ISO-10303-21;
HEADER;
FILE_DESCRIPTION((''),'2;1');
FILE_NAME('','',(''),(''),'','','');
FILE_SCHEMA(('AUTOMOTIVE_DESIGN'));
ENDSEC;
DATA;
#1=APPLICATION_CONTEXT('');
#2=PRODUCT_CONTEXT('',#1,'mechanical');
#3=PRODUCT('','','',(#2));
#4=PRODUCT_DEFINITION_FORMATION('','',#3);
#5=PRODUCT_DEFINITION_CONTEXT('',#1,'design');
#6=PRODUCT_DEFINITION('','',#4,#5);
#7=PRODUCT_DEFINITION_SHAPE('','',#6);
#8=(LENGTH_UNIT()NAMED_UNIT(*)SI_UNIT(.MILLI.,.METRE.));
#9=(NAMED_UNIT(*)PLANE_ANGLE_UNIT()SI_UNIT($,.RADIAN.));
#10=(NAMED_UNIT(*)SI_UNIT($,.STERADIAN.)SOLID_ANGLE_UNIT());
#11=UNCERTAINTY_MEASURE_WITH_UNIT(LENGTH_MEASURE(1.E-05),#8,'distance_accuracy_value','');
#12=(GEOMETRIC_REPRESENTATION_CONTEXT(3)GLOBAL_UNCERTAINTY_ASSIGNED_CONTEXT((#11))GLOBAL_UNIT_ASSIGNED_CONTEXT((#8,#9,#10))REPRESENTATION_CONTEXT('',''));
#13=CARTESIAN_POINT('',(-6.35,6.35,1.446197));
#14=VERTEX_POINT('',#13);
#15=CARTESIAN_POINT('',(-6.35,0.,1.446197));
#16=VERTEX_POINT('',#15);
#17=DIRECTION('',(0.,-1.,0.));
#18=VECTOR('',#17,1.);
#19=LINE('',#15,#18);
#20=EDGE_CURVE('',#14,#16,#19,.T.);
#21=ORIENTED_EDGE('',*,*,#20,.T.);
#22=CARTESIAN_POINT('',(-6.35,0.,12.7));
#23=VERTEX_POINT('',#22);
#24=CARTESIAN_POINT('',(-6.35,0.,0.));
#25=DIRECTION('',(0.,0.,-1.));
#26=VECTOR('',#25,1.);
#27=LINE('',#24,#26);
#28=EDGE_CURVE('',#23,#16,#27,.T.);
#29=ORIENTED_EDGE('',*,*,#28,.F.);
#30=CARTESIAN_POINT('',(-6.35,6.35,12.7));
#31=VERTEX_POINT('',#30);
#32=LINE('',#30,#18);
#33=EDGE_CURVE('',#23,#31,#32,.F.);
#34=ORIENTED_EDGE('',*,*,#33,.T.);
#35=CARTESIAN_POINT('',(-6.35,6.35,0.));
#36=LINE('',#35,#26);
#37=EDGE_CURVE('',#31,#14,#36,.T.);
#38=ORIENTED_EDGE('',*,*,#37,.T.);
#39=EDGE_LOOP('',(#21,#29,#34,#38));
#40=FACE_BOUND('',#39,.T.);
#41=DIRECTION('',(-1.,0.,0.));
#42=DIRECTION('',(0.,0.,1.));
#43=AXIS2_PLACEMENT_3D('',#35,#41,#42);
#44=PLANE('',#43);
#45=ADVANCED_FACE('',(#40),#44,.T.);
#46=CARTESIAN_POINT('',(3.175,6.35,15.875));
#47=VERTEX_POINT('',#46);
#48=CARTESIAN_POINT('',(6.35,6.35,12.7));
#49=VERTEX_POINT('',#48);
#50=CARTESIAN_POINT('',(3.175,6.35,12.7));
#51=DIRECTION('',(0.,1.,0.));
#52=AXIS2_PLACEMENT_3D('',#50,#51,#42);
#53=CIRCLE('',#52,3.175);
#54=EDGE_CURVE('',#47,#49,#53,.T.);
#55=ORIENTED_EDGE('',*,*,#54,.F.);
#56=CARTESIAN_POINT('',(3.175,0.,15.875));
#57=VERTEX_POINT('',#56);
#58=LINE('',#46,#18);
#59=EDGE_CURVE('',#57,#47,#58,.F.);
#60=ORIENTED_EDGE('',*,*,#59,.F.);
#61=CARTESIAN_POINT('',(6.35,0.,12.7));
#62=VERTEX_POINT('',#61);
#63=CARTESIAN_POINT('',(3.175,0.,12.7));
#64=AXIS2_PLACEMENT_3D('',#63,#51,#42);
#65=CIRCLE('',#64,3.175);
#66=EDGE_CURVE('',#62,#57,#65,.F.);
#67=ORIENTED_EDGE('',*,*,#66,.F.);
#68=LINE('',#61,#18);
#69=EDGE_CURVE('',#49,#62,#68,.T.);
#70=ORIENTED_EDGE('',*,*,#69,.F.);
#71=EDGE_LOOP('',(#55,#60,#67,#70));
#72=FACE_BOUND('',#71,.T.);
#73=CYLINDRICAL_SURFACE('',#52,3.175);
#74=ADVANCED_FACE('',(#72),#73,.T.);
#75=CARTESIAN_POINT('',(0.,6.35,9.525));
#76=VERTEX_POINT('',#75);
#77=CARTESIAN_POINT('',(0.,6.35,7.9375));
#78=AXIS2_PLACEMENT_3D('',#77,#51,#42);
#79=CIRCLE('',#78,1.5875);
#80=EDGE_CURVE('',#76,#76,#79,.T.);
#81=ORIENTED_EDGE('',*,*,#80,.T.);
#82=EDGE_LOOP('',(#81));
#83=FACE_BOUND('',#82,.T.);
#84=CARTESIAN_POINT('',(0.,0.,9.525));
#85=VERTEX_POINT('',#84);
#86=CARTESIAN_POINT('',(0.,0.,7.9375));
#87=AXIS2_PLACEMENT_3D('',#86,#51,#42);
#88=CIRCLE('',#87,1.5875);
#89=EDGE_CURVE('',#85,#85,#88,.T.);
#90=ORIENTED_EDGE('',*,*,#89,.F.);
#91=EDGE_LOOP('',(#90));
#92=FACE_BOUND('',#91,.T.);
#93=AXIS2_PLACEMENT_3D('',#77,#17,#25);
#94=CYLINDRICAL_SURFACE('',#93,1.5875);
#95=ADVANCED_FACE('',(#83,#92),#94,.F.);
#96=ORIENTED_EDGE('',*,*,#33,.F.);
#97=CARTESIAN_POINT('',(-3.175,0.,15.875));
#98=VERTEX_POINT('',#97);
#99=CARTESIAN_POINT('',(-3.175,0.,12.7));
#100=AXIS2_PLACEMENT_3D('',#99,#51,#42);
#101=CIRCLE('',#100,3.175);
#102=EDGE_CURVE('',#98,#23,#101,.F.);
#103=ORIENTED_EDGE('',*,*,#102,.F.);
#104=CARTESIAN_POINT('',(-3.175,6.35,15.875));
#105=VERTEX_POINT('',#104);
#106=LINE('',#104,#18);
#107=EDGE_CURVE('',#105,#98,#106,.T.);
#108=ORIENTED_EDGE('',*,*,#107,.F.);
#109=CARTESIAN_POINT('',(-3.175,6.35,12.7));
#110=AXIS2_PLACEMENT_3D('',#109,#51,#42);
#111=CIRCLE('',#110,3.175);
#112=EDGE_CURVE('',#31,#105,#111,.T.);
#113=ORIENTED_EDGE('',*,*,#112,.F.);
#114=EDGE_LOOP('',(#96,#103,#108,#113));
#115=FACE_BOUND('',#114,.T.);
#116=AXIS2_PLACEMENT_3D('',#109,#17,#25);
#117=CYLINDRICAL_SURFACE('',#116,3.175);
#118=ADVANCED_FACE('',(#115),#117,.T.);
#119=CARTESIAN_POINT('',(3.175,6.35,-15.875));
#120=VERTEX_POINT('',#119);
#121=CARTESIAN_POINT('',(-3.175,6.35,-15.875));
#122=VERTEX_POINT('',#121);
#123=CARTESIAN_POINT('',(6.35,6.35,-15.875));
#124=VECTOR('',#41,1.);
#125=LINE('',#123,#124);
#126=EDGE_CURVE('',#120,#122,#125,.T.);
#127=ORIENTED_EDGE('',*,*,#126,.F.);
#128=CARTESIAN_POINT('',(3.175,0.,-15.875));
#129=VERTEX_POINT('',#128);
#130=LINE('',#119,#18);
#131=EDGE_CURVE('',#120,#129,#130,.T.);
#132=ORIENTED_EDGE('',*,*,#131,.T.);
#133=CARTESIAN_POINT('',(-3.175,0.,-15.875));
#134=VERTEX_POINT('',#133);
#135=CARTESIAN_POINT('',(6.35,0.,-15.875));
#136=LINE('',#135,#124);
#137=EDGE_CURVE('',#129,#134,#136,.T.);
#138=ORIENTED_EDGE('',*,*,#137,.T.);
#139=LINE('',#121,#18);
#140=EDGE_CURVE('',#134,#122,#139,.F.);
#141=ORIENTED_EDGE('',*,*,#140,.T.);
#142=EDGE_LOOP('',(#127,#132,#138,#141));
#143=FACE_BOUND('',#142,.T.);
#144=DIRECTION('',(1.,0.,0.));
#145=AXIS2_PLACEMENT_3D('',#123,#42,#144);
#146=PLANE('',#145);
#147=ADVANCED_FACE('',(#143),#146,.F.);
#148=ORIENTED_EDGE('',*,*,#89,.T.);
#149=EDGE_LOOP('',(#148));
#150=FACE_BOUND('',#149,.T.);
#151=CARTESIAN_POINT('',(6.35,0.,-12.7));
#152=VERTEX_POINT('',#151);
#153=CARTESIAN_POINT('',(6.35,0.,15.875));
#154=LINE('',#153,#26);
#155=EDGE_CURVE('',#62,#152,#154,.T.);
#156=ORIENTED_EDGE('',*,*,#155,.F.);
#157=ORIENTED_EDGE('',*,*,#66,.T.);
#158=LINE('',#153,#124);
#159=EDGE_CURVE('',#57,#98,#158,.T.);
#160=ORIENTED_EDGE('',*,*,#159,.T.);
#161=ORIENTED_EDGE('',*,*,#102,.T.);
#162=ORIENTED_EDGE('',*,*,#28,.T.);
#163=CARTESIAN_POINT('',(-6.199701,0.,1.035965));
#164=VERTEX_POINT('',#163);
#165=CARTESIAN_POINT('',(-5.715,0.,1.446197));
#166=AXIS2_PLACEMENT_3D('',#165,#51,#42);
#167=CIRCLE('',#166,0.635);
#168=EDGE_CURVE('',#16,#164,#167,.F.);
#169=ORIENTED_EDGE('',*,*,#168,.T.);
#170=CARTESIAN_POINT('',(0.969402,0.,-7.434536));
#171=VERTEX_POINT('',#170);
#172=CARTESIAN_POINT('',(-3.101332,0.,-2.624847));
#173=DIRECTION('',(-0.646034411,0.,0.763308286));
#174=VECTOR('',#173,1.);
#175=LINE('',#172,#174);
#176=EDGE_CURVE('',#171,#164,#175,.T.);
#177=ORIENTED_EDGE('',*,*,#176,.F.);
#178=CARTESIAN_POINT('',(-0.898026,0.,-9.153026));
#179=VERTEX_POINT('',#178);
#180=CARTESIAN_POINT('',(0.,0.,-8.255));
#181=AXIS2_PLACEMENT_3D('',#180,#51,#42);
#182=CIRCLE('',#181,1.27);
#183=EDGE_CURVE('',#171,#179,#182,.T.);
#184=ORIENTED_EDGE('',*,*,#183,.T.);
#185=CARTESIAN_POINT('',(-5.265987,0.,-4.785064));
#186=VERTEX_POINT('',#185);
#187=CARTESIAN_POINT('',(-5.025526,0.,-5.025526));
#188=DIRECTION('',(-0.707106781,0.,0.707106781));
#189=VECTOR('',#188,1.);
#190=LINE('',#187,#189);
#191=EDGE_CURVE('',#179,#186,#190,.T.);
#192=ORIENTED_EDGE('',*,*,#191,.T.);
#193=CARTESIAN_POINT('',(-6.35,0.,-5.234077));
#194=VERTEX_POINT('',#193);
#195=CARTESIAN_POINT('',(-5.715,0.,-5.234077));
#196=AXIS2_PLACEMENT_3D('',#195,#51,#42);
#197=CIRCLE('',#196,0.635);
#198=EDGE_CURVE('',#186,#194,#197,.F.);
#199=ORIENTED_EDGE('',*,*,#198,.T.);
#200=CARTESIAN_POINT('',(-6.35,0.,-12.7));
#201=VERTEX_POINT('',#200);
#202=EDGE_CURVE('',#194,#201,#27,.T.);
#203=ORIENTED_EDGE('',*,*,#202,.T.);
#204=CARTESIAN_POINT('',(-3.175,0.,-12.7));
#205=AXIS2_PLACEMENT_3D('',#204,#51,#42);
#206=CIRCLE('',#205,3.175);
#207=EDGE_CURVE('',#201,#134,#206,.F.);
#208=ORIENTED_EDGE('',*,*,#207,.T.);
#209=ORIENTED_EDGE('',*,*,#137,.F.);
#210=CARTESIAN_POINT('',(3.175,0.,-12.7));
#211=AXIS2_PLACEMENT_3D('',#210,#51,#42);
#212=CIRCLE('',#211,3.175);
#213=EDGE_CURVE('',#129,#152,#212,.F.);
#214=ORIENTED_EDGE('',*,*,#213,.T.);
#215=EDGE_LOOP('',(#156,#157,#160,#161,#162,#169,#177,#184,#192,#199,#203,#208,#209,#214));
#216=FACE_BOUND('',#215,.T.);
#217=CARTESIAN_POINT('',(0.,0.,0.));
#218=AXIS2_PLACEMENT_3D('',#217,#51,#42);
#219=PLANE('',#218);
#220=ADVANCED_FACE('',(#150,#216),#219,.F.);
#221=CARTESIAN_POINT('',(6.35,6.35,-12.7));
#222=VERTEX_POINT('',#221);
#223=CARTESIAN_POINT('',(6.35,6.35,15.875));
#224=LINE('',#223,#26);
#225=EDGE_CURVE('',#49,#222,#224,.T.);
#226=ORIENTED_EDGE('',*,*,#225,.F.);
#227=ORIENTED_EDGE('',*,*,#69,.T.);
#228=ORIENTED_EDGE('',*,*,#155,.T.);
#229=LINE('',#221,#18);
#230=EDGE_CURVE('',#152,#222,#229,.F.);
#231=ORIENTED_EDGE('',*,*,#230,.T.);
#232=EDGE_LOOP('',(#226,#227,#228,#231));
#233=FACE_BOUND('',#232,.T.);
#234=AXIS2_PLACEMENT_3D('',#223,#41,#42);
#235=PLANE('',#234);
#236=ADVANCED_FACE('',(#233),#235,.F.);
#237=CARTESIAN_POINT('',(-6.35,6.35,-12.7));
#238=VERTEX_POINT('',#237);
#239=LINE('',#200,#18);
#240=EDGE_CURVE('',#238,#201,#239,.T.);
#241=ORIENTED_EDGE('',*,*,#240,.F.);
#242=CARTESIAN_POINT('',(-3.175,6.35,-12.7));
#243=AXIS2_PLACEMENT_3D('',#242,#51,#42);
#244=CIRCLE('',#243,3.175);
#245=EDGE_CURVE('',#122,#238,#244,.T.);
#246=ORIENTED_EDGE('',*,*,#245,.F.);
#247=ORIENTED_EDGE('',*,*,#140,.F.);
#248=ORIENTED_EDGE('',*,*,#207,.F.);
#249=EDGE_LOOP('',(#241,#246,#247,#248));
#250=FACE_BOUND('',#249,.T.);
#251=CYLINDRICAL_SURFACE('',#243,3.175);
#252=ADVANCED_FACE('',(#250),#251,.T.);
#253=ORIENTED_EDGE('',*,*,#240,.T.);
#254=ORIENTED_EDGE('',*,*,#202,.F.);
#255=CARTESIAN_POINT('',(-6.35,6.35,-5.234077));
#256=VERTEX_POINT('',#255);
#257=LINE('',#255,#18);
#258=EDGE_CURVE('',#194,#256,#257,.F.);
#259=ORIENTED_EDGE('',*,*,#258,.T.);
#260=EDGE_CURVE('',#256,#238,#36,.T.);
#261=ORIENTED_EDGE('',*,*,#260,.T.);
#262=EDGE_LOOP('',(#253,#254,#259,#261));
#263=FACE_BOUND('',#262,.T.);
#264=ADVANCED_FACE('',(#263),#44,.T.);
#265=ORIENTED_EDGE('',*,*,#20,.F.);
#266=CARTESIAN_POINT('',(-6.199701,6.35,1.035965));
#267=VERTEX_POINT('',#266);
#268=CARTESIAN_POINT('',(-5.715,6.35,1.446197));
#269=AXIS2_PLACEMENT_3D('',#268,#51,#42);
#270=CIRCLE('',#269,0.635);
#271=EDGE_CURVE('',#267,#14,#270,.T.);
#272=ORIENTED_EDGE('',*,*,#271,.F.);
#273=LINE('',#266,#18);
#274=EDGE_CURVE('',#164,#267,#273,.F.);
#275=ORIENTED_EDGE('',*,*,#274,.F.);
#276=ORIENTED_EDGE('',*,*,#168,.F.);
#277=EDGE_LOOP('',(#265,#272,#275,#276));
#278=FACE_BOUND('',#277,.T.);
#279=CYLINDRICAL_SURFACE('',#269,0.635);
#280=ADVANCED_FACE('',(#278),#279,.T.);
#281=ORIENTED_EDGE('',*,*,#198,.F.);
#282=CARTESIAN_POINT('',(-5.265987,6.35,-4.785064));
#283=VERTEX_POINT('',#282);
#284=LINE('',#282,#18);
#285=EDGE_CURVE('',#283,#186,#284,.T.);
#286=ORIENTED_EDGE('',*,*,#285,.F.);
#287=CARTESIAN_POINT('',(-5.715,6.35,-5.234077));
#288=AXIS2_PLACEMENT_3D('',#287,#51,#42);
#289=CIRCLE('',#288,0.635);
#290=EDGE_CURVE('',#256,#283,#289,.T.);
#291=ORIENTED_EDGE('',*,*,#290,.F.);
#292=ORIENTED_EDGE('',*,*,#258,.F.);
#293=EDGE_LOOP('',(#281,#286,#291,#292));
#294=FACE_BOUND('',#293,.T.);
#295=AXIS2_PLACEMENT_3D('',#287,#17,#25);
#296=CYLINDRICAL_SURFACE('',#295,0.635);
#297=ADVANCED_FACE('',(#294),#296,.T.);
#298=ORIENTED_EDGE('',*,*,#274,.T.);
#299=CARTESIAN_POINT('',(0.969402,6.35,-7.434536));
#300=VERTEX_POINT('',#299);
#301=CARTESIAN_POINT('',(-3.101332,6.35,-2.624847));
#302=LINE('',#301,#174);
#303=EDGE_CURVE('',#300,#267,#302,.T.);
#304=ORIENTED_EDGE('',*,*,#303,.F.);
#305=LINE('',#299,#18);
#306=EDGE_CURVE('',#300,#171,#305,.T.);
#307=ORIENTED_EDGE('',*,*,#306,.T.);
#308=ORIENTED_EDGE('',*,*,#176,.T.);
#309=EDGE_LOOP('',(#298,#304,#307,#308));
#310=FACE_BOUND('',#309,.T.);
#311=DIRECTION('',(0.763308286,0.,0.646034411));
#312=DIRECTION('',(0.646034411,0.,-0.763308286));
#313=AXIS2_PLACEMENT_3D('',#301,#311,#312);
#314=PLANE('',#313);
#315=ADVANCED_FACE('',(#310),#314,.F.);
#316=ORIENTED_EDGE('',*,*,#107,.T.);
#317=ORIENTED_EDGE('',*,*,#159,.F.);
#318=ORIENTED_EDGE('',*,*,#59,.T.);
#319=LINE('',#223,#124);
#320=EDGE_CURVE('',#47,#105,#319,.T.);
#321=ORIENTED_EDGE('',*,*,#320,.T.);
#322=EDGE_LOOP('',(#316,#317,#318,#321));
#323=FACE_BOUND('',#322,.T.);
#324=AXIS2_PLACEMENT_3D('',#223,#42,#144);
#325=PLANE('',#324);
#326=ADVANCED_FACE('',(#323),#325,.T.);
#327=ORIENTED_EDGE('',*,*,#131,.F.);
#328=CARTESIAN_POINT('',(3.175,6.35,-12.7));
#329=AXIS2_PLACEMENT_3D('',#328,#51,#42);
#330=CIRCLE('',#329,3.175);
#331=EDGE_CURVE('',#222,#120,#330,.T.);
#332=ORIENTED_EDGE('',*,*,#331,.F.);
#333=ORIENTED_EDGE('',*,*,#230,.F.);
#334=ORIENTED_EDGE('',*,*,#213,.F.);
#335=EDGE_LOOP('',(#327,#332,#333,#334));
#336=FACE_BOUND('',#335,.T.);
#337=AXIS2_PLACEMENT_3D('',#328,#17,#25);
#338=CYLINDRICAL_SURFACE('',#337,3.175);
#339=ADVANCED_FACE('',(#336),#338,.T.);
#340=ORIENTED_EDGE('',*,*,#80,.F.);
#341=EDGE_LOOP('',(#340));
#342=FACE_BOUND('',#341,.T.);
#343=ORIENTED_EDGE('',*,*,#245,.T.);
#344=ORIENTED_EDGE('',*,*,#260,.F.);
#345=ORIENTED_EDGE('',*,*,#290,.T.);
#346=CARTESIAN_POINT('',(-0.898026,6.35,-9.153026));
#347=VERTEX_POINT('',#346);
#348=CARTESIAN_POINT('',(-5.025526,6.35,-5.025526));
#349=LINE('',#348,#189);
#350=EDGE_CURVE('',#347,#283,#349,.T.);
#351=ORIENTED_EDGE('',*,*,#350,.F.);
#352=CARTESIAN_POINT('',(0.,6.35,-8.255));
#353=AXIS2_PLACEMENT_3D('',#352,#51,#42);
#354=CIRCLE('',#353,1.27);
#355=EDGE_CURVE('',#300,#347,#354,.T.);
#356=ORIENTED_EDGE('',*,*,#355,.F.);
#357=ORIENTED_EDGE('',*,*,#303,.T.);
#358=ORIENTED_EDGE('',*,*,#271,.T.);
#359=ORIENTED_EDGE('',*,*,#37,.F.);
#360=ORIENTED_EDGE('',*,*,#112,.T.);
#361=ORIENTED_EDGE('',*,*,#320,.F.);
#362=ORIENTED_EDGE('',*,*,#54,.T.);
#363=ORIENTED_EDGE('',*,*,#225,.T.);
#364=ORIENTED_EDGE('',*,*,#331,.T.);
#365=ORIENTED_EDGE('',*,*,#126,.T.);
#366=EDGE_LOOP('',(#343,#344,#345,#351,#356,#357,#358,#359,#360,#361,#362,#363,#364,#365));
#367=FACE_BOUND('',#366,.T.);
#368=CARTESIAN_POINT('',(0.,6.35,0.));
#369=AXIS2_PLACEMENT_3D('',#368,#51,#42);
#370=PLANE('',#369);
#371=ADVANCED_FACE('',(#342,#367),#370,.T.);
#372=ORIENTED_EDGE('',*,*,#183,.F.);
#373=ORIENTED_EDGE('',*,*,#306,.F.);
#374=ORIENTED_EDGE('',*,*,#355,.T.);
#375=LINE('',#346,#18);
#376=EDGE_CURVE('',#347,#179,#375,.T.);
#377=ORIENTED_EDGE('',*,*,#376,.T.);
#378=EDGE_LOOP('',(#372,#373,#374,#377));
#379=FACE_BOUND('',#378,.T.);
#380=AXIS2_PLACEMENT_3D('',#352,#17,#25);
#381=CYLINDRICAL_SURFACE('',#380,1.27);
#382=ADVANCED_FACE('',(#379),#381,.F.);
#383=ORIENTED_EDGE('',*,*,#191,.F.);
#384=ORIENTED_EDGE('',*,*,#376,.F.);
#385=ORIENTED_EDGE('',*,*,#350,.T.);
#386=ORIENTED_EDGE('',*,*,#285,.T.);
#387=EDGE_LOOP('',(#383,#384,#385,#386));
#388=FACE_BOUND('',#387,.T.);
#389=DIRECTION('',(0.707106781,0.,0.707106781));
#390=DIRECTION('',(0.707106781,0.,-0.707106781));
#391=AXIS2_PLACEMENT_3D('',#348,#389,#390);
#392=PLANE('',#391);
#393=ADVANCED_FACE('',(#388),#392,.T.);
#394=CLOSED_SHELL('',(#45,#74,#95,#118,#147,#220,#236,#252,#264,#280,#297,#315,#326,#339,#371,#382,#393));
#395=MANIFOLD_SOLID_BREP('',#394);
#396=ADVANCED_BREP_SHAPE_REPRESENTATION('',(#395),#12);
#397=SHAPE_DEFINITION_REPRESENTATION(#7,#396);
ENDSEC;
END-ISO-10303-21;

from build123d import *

# Parameters (mm, degrees)
SKETCH1_W           = 12.7
SKETCH1_H           = 31.75
SKETCH1_R           = 1.5875
BOSS_EXTRUDE2_DEPTH = 6.35
CUT_EXTRUDE2_DEPTH  = 19.238986403
FILLET2_R           = 3.175
FILLET3_R           = 0.635


with BuildPart() as part:
    # Sketch1 → Boss-Extrude2 (new body)
    with BuildSketch(Plane(origin=(0, 0, 0), x_dir=(1, 0, 0), z_dir=(0, 1, 0))):
        Rectangle(SKETCH1_W, SKETCH1_H)
        with Locations((0, -7.9375)):
            Circle(SKETCH1_R, mode=Mode.SUBTRACT)
    extrude(amount=BOSS_EXTRUDE2_DEPTH)

    # Sketch1<5> → Cut-Extrude2 (cut, through all)
    with BuildSketch(Plane(origin=(0, 0, 0), x_dir=(1, 0, 0), z_dir=(0, 1, 0))):
        with BuildLine():
            Line((-6.35, 3.701051224), (-6.35, -1.213547665))
            Line((-6.35, -1.213547665), (0.969401523, 7.434536298))
            ThreePointArc((0.969401523, 7.434536298), (0.859985471, 9.189518587), (-0.898025612, 9.153025612))
            Line((-0.898025612, 9.153025612), (-6.35, 3.701051224))
        make_face()
    extrude(amount=CUT_EXTRUDE2_DEPTH, mode=Mode.SUBTRACT)

    # Fillet2
    fillet2_edges = [part.edges().sort_by_distance(p)[0] for p in [
        (-6.35, 3.175, -15.875),
        (6.35, 3.175, -15.875),
        (6.35, 3.175, 15.875),
        (-6.35, 3.175, 15.875),
    ]]
    fillet(fillet2_edges, radius=FILLET2_R)

    # Fillet3
    fillet3_edges = [part.edges().sort_by_distance(p)[0] for p in [
        (-6.35, 3.175, 1.213547665),
        (-6.35, 3.175, -3.701051224),
    ]]
    fillet(fillet3_edges, radius=FILLET3_R)


solid = part.part
